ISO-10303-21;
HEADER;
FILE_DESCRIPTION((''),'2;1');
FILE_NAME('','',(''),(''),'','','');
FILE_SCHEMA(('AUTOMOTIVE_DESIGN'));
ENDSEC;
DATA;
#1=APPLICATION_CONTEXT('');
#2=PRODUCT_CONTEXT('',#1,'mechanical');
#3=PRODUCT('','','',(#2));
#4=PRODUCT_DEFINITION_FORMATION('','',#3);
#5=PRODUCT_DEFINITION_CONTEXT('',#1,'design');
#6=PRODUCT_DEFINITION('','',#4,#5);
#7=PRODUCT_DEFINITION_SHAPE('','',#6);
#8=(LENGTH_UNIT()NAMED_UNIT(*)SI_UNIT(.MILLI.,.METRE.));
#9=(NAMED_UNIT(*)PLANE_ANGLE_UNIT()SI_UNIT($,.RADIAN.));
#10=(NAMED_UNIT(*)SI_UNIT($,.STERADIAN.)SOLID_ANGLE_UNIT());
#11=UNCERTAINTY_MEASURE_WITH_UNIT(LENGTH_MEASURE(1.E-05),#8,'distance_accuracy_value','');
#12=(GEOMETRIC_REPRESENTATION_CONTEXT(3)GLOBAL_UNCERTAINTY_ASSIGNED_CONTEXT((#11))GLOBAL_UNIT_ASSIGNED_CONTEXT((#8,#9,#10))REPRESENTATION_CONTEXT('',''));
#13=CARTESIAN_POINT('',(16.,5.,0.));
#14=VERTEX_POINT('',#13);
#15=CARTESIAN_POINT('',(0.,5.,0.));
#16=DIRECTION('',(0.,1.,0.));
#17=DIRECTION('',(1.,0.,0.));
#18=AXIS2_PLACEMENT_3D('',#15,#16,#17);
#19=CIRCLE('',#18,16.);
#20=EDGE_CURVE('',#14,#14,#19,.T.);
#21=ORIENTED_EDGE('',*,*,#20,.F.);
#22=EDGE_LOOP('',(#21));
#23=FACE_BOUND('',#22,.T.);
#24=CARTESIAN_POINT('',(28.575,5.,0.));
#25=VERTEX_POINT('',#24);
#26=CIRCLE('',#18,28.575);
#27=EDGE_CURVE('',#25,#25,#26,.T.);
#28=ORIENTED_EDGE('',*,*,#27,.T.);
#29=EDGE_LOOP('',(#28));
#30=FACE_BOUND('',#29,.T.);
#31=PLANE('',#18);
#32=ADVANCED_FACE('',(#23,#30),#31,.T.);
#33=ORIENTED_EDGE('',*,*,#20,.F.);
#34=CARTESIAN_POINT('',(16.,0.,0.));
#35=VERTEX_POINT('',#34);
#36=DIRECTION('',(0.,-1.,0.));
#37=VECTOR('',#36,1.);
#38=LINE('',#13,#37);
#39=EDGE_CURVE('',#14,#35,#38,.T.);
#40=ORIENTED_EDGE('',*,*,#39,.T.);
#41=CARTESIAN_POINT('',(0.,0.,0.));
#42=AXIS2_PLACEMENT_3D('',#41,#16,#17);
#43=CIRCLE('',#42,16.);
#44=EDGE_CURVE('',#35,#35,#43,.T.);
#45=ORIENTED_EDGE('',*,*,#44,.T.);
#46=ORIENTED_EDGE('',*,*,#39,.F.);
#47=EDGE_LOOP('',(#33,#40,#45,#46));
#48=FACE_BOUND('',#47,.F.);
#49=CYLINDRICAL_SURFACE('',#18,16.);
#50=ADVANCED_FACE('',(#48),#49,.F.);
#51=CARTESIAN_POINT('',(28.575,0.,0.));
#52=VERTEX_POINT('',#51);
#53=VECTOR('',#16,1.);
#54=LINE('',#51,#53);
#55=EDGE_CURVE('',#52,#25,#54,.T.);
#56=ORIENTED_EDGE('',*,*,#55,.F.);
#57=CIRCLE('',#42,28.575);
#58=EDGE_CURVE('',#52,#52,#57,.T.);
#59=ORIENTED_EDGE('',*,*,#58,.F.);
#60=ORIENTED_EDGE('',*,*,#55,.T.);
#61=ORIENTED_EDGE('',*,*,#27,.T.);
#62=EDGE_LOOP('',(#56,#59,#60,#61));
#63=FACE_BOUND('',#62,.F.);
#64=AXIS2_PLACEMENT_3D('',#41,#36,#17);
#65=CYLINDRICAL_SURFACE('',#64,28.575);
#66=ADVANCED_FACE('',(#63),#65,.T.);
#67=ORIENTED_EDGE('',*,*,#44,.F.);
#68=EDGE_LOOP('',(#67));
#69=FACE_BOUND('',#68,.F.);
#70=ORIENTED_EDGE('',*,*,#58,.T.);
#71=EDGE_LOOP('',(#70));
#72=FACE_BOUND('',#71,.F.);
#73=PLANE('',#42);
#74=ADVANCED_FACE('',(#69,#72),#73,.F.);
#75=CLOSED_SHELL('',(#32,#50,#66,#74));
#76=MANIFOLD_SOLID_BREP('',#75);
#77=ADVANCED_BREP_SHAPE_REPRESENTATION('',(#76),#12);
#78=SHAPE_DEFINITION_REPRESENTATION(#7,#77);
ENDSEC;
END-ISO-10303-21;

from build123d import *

# Parameters (mm, degrees)
SKETCH1_R           = 28.575
BOSS_EXTRUDE1_DEPTH = 5
SKETCH2_R           = 16
CUT_EXTRUDE1_DEPTH  = 5


with BuildPart() as part:
    # Sketch1 → Boss-Extrude1 (new body)
    with BuildSketch(Plane(origin=(0, 0, 0), x_dir=(1, 0, 0), z_dir=(0, 1, 0))):
        Circle(SKETCH1_R)
    extrude(amount=BOSS_EXTRUDE1_DEPTH)

    # Sketch2 → Cut-Extrude1 (cut)
    with BuildSketch(Plane(origin=(0, 5, 0), x_dir=(1, 0, 0), z_dir=(0, 1, 0))):
        Circle(SKETCH2_R)
    extrude(amount=-CUT_EXTRUDE1_DEPTH, mode=Mode.SUBTRACT)


solid = part.part
